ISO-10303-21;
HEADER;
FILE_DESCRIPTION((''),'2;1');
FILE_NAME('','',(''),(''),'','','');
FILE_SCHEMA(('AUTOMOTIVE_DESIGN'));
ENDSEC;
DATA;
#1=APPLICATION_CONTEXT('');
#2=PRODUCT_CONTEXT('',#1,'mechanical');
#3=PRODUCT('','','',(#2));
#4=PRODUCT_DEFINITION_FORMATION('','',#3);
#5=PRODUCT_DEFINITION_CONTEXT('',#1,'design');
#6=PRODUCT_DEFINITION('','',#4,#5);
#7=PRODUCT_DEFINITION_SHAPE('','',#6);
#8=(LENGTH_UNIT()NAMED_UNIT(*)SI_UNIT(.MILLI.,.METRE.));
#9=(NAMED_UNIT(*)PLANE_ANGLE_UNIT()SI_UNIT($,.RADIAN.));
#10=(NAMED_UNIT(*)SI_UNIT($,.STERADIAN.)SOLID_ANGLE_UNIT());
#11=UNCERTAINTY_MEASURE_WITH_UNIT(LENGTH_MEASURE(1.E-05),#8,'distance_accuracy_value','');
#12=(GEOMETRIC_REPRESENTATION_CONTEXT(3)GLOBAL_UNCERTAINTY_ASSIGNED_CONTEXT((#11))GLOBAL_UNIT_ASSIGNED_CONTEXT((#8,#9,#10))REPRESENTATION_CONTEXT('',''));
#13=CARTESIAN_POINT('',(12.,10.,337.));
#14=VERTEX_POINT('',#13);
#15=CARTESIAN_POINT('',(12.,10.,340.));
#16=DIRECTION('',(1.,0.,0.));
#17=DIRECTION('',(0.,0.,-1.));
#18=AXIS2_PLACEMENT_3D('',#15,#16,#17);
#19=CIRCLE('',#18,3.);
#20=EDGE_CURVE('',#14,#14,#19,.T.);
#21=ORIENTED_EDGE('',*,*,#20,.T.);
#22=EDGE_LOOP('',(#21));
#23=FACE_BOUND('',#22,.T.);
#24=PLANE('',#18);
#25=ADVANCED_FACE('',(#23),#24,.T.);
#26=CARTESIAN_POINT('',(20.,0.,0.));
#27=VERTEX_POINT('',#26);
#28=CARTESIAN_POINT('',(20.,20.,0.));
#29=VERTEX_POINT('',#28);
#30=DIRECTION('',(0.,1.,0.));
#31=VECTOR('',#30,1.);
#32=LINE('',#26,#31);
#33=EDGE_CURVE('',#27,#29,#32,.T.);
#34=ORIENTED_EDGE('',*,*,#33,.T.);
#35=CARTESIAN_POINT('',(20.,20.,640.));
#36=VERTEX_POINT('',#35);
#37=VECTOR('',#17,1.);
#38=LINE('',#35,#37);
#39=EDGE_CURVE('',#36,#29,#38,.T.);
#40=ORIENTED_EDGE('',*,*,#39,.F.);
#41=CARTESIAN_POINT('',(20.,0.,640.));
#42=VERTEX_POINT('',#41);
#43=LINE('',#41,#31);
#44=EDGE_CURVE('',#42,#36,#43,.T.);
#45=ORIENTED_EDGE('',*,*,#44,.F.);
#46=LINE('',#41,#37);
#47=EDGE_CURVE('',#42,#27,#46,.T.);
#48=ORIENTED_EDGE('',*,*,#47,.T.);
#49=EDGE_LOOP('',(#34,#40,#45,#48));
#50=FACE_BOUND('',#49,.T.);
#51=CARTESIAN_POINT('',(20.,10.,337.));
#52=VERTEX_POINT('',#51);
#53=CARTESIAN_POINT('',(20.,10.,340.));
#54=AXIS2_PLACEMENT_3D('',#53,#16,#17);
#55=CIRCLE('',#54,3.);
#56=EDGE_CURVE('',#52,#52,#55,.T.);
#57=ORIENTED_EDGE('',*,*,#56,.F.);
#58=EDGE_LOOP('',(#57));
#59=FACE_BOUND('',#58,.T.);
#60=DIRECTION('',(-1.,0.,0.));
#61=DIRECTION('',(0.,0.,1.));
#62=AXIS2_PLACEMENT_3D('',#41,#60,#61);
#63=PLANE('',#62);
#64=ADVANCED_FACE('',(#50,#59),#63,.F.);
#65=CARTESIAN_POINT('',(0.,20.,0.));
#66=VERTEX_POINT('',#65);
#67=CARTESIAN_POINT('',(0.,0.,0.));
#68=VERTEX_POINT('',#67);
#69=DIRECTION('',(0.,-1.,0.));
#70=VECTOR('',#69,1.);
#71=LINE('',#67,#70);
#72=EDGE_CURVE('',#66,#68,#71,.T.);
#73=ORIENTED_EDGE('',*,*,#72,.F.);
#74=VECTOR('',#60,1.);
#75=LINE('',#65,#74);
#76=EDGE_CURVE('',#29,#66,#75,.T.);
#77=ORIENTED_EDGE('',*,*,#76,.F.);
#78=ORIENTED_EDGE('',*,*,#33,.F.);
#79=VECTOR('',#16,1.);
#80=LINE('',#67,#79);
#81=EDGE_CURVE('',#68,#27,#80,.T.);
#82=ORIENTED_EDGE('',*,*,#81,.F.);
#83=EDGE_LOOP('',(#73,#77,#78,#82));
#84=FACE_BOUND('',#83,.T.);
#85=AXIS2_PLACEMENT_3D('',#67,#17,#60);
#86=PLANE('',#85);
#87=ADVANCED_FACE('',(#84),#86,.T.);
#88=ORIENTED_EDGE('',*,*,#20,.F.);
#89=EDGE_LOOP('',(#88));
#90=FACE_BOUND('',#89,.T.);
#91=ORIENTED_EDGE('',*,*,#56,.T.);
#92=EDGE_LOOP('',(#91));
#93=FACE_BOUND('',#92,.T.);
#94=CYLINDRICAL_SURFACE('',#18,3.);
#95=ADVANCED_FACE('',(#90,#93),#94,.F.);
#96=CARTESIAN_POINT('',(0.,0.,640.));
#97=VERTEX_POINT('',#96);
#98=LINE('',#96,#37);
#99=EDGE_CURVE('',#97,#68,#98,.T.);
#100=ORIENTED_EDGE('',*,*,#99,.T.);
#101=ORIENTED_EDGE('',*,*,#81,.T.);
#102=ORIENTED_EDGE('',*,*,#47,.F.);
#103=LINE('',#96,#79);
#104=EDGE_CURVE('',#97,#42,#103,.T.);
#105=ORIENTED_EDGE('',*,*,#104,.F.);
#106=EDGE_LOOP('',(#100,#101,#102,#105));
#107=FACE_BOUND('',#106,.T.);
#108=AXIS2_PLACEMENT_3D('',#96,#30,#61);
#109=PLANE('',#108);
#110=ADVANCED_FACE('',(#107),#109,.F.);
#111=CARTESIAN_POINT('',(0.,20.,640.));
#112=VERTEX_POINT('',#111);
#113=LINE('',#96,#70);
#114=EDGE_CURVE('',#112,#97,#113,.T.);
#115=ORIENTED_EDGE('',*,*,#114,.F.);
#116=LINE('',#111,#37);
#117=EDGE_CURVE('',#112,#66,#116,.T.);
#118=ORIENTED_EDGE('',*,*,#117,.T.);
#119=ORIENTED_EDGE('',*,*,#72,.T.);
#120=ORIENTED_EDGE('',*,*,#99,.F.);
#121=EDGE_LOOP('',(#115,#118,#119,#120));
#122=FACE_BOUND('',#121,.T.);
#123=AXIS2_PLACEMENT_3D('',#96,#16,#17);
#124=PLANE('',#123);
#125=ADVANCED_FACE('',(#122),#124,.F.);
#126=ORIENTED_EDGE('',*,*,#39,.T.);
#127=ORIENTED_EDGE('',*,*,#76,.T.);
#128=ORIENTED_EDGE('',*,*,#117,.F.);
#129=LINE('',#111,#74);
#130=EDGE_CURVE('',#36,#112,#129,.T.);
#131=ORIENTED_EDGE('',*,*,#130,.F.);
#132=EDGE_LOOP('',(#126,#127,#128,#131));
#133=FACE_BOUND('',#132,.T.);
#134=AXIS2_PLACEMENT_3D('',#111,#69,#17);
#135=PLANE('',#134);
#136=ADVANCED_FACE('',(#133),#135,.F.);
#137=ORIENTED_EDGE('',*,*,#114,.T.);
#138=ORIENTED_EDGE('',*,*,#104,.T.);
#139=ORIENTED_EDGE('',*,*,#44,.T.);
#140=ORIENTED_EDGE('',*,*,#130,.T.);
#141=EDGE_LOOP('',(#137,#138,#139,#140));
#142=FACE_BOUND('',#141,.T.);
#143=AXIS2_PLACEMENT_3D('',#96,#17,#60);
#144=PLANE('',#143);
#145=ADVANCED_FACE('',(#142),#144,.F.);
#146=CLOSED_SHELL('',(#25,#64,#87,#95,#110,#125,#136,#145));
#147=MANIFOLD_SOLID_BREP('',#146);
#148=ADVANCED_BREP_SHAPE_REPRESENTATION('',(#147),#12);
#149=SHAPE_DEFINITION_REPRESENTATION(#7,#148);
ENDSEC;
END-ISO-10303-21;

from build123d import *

# Parameters (mm, degrees)
SZKIC1_W                    = 20
SZKIC1_H                    = 20
DODANIE_WYCI_GNI_CIE1_DEPTH = 640
SZKIC2_R                    = 3
WYTNIJ_WYCI_GNI_CIE1_DEPTH  = 8


with BuildPart() as part:
    # Szkic1 → Dodanie-wyciągnięcie1 (new body)
    with BuildSketch(Plane.XY):
        with Locations((10, 10)):
            Rectangle(SZKIC1_W, SZKIC1_H)
    extrude(amount=DODANIE_WYCI_GNI_CIE1_DEPTH)

    # Szkic2 → Wytnij-wyciągnięcie1 (cut)
    with BuildSketch(Plane(origin=(20, 0, 0), x_dir=(0, 0, -1), z_dir=(1, 0, 0))):
        with Locations((-340, 10)):
            Circle(SZKIC2_R)
    extrude(amount=-WYTNIJ_WYCI_GNI_CIE1_DEPTH, mode=Mode.SUBTRACT)


solid = part.part
